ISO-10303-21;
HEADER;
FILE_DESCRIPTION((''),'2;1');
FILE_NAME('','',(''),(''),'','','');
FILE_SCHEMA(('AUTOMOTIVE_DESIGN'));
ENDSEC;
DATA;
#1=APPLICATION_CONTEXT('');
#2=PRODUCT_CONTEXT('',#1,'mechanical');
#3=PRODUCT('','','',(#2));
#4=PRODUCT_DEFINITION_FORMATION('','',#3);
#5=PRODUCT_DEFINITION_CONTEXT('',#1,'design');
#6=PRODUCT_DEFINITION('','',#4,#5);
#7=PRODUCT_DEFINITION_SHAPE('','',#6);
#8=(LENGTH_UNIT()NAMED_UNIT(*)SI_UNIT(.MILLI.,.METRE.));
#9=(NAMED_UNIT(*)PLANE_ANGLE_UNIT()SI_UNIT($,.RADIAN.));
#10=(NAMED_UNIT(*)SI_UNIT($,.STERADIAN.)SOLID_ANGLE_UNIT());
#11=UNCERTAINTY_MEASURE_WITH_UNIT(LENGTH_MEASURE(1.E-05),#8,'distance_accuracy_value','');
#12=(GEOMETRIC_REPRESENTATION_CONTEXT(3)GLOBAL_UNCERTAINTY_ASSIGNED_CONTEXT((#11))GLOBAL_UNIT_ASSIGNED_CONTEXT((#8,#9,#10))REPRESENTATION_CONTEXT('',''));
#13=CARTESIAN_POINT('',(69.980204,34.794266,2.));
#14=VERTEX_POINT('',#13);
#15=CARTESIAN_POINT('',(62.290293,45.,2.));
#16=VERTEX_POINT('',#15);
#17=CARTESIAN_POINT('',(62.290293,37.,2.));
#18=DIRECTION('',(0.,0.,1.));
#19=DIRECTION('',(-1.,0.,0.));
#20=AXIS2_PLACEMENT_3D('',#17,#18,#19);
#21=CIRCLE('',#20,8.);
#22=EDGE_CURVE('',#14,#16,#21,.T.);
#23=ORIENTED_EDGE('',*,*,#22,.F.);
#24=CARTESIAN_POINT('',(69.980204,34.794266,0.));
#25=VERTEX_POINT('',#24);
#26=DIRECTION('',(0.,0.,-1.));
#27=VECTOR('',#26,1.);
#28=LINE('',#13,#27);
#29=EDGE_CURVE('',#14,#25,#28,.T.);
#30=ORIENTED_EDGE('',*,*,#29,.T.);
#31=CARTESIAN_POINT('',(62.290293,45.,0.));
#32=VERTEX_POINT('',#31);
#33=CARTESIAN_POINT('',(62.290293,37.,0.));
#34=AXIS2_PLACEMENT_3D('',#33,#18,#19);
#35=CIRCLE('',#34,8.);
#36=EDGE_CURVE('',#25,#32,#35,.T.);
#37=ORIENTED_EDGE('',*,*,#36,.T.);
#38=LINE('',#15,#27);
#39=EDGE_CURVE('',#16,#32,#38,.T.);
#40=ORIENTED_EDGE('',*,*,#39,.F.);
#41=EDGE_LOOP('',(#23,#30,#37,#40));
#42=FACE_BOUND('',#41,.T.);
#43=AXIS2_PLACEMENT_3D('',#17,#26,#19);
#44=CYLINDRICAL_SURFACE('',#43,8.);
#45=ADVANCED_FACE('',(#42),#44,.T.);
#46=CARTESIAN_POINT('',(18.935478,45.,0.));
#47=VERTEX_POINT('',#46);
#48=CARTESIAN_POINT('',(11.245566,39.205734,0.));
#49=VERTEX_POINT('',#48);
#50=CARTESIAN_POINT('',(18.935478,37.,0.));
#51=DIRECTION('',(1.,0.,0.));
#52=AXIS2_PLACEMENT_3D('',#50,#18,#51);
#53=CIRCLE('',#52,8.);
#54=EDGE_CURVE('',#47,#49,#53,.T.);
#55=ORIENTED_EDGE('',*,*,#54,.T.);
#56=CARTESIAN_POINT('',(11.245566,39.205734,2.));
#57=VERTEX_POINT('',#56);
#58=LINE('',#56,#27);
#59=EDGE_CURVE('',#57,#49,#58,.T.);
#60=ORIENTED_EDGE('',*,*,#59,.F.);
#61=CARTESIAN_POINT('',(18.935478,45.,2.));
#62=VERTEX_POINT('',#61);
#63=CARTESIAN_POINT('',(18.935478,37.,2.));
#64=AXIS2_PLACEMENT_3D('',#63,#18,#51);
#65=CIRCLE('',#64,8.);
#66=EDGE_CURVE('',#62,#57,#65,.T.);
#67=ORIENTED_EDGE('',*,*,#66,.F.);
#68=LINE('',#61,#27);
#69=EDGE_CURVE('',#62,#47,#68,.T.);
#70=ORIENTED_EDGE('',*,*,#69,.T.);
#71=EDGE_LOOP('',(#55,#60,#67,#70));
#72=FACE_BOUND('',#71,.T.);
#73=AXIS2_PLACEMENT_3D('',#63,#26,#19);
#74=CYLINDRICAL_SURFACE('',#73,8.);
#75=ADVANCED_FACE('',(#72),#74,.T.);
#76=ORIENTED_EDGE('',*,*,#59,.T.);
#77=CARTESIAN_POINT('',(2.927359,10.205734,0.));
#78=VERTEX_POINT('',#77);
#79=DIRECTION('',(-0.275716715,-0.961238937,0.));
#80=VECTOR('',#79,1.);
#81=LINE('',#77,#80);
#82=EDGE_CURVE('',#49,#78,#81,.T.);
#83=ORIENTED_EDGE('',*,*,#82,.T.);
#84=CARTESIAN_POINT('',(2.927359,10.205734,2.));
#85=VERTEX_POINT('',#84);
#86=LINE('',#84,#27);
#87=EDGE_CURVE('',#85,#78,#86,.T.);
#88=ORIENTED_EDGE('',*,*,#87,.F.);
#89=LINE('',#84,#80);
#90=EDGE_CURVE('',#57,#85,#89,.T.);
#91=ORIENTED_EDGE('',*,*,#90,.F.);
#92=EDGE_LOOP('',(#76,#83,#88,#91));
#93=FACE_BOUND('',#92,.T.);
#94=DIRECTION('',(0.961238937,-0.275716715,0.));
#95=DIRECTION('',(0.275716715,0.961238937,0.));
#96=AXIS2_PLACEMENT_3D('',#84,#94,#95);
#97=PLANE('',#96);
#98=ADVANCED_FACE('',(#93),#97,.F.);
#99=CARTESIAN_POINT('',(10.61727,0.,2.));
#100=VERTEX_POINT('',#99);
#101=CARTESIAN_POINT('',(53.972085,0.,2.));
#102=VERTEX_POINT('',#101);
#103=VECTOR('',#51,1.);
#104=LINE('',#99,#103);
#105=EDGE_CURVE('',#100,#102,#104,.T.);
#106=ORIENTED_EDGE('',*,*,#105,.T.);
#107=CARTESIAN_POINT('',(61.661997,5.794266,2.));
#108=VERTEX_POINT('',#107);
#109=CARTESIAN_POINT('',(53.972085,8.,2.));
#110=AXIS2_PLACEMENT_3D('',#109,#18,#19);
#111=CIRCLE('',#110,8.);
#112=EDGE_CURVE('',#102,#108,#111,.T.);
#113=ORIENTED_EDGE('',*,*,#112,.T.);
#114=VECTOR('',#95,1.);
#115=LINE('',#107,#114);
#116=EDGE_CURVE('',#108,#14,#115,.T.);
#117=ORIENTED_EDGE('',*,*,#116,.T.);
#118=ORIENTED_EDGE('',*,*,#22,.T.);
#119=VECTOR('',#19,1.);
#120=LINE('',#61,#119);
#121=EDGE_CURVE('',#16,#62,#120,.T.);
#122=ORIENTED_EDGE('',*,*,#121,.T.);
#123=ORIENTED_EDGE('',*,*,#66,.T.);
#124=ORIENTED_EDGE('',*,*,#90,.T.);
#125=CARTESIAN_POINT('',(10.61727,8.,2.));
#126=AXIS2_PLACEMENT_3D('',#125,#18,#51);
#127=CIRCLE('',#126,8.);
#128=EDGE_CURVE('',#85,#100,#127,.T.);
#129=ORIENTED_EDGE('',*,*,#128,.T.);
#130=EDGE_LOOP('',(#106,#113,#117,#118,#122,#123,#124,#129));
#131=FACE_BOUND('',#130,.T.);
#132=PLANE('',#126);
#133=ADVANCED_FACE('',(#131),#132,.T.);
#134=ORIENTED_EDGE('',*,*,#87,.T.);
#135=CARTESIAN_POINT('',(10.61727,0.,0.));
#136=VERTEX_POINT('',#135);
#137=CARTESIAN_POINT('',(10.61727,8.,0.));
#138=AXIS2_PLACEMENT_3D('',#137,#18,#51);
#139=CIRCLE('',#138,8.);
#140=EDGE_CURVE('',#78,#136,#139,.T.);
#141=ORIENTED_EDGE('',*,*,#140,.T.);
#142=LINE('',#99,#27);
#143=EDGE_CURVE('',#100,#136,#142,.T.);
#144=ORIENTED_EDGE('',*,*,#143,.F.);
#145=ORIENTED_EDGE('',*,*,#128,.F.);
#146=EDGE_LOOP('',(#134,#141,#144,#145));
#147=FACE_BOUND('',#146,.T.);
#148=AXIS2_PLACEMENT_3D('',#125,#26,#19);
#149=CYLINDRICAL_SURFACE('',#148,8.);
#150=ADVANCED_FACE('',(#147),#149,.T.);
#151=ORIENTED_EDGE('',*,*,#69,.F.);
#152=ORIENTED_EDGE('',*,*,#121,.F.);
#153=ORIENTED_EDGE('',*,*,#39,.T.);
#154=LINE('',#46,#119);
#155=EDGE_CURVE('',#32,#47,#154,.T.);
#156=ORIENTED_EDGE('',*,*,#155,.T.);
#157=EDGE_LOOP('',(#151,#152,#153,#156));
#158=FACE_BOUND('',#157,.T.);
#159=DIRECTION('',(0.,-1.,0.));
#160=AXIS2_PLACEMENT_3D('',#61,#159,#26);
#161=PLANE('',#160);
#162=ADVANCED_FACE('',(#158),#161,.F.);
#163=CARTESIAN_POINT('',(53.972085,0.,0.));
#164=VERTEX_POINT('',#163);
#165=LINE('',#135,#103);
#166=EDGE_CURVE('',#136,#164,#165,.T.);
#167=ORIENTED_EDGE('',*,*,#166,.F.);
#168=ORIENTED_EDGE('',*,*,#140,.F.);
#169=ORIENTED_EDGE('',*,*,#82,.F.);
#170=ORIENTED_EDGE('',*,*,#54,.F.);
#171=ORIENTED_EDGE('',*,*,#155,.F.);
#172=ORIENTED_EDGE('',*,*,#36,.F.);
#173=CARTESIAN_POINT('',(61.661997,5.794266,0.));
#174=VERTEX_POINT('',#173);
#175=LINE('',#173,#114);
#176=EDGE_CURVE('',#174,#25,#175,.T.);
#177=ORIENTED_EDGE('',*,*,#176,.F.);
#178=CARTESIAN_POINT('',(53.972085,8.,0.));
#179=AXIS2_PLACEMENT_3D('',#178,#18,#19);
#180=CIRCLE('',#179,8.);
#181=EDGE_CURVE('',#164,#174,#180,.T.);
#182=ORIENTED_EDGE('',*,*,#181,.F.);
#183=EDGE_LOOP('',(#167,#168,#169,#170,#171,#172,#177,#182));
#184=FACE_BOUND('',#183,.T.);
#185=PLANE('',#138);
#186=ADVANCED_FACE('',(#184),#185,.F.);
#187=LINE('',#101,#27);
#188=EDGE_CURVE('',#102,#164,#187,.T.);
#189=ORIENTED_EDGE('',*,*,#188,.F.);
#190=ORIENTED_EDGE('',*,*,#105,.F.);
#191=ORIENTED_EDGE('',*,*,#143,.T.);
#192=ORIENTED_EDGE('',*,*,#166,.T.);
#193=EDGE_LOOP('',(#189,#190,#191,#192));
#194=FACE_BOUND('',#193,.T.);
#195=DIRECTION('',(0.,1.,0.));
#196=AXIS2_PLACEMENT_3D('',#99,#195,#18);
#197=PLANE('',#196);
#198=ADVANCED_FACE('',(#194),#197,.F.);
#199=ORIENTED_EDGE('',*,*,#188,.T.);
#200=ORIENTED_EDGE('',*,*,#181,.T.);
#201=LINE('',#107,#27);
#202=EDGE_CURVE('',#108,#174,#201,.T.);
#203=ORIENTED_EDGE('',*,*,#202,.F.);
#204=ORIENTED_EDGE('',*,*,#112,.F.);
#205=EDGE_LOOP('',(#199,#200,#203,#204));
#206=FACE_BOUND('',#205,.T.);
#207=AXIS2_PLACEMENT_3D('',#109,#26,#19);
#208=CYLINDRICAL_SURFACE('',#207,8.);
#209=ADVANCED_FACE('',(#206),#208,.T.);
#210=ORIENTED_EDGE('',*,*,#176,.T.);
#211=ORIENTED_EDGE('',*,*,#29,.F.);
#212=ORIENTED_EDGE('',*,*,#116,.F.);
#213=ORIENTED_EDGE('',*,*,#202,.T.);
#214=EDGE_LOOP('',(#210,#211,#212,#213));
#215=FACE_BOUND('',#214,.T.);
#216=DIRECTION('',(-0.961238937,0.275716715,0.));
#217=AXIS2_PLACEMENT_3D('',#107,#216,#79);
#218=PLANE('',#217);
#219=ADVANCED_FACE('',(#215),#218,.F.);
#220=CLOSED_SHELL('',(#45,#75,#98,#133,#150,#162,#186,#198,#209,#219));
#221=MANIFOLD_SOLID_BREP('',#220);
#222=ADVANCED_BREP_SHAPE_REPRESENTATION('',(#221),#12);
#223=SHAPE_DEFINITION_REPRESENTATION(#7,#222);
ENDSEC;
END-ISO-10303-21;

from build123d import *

# Parameters (mm, degrees)
BOSS_EXTRUDE1_DEPTH = 2


with BuildPart() as part:
    # Sketch1 → Boss-Extrude1 (new body)
    with BuildSketch(Plane.XY):
        with BuildLine():
            Line((10.617270408, 0), (53.972085334, 0))
            ThreePointArc((53.972085334, 0), (58.786341781, 1.610717187), (61.661996827, 5.794266283))
            Line((61.661996827, 5.794266283), (69.98020411, 34.794266283))
            ThreePointArc((69.98020411, 34.794266283), (68.679575431, 41.814256447), (62.290292617, 45))
            Line((62.290292617, 45), (18.935477691, 45))
            ThreePointArc((18.935477691, 45), (14.121221244, 43.389282813), (11.245566198, 39.205733717))
            Line((11.245566198, 39.205733717), (2.927358915, 10.205733717))
            ThreePointArc((2.927358915, 10.205733717), (4.227987595, 3.185743553), (10.617270408, 0))
        make_face()
    extrude(amount=BOSS_EXTRUDE1_DEPTH)


solid = part.part
